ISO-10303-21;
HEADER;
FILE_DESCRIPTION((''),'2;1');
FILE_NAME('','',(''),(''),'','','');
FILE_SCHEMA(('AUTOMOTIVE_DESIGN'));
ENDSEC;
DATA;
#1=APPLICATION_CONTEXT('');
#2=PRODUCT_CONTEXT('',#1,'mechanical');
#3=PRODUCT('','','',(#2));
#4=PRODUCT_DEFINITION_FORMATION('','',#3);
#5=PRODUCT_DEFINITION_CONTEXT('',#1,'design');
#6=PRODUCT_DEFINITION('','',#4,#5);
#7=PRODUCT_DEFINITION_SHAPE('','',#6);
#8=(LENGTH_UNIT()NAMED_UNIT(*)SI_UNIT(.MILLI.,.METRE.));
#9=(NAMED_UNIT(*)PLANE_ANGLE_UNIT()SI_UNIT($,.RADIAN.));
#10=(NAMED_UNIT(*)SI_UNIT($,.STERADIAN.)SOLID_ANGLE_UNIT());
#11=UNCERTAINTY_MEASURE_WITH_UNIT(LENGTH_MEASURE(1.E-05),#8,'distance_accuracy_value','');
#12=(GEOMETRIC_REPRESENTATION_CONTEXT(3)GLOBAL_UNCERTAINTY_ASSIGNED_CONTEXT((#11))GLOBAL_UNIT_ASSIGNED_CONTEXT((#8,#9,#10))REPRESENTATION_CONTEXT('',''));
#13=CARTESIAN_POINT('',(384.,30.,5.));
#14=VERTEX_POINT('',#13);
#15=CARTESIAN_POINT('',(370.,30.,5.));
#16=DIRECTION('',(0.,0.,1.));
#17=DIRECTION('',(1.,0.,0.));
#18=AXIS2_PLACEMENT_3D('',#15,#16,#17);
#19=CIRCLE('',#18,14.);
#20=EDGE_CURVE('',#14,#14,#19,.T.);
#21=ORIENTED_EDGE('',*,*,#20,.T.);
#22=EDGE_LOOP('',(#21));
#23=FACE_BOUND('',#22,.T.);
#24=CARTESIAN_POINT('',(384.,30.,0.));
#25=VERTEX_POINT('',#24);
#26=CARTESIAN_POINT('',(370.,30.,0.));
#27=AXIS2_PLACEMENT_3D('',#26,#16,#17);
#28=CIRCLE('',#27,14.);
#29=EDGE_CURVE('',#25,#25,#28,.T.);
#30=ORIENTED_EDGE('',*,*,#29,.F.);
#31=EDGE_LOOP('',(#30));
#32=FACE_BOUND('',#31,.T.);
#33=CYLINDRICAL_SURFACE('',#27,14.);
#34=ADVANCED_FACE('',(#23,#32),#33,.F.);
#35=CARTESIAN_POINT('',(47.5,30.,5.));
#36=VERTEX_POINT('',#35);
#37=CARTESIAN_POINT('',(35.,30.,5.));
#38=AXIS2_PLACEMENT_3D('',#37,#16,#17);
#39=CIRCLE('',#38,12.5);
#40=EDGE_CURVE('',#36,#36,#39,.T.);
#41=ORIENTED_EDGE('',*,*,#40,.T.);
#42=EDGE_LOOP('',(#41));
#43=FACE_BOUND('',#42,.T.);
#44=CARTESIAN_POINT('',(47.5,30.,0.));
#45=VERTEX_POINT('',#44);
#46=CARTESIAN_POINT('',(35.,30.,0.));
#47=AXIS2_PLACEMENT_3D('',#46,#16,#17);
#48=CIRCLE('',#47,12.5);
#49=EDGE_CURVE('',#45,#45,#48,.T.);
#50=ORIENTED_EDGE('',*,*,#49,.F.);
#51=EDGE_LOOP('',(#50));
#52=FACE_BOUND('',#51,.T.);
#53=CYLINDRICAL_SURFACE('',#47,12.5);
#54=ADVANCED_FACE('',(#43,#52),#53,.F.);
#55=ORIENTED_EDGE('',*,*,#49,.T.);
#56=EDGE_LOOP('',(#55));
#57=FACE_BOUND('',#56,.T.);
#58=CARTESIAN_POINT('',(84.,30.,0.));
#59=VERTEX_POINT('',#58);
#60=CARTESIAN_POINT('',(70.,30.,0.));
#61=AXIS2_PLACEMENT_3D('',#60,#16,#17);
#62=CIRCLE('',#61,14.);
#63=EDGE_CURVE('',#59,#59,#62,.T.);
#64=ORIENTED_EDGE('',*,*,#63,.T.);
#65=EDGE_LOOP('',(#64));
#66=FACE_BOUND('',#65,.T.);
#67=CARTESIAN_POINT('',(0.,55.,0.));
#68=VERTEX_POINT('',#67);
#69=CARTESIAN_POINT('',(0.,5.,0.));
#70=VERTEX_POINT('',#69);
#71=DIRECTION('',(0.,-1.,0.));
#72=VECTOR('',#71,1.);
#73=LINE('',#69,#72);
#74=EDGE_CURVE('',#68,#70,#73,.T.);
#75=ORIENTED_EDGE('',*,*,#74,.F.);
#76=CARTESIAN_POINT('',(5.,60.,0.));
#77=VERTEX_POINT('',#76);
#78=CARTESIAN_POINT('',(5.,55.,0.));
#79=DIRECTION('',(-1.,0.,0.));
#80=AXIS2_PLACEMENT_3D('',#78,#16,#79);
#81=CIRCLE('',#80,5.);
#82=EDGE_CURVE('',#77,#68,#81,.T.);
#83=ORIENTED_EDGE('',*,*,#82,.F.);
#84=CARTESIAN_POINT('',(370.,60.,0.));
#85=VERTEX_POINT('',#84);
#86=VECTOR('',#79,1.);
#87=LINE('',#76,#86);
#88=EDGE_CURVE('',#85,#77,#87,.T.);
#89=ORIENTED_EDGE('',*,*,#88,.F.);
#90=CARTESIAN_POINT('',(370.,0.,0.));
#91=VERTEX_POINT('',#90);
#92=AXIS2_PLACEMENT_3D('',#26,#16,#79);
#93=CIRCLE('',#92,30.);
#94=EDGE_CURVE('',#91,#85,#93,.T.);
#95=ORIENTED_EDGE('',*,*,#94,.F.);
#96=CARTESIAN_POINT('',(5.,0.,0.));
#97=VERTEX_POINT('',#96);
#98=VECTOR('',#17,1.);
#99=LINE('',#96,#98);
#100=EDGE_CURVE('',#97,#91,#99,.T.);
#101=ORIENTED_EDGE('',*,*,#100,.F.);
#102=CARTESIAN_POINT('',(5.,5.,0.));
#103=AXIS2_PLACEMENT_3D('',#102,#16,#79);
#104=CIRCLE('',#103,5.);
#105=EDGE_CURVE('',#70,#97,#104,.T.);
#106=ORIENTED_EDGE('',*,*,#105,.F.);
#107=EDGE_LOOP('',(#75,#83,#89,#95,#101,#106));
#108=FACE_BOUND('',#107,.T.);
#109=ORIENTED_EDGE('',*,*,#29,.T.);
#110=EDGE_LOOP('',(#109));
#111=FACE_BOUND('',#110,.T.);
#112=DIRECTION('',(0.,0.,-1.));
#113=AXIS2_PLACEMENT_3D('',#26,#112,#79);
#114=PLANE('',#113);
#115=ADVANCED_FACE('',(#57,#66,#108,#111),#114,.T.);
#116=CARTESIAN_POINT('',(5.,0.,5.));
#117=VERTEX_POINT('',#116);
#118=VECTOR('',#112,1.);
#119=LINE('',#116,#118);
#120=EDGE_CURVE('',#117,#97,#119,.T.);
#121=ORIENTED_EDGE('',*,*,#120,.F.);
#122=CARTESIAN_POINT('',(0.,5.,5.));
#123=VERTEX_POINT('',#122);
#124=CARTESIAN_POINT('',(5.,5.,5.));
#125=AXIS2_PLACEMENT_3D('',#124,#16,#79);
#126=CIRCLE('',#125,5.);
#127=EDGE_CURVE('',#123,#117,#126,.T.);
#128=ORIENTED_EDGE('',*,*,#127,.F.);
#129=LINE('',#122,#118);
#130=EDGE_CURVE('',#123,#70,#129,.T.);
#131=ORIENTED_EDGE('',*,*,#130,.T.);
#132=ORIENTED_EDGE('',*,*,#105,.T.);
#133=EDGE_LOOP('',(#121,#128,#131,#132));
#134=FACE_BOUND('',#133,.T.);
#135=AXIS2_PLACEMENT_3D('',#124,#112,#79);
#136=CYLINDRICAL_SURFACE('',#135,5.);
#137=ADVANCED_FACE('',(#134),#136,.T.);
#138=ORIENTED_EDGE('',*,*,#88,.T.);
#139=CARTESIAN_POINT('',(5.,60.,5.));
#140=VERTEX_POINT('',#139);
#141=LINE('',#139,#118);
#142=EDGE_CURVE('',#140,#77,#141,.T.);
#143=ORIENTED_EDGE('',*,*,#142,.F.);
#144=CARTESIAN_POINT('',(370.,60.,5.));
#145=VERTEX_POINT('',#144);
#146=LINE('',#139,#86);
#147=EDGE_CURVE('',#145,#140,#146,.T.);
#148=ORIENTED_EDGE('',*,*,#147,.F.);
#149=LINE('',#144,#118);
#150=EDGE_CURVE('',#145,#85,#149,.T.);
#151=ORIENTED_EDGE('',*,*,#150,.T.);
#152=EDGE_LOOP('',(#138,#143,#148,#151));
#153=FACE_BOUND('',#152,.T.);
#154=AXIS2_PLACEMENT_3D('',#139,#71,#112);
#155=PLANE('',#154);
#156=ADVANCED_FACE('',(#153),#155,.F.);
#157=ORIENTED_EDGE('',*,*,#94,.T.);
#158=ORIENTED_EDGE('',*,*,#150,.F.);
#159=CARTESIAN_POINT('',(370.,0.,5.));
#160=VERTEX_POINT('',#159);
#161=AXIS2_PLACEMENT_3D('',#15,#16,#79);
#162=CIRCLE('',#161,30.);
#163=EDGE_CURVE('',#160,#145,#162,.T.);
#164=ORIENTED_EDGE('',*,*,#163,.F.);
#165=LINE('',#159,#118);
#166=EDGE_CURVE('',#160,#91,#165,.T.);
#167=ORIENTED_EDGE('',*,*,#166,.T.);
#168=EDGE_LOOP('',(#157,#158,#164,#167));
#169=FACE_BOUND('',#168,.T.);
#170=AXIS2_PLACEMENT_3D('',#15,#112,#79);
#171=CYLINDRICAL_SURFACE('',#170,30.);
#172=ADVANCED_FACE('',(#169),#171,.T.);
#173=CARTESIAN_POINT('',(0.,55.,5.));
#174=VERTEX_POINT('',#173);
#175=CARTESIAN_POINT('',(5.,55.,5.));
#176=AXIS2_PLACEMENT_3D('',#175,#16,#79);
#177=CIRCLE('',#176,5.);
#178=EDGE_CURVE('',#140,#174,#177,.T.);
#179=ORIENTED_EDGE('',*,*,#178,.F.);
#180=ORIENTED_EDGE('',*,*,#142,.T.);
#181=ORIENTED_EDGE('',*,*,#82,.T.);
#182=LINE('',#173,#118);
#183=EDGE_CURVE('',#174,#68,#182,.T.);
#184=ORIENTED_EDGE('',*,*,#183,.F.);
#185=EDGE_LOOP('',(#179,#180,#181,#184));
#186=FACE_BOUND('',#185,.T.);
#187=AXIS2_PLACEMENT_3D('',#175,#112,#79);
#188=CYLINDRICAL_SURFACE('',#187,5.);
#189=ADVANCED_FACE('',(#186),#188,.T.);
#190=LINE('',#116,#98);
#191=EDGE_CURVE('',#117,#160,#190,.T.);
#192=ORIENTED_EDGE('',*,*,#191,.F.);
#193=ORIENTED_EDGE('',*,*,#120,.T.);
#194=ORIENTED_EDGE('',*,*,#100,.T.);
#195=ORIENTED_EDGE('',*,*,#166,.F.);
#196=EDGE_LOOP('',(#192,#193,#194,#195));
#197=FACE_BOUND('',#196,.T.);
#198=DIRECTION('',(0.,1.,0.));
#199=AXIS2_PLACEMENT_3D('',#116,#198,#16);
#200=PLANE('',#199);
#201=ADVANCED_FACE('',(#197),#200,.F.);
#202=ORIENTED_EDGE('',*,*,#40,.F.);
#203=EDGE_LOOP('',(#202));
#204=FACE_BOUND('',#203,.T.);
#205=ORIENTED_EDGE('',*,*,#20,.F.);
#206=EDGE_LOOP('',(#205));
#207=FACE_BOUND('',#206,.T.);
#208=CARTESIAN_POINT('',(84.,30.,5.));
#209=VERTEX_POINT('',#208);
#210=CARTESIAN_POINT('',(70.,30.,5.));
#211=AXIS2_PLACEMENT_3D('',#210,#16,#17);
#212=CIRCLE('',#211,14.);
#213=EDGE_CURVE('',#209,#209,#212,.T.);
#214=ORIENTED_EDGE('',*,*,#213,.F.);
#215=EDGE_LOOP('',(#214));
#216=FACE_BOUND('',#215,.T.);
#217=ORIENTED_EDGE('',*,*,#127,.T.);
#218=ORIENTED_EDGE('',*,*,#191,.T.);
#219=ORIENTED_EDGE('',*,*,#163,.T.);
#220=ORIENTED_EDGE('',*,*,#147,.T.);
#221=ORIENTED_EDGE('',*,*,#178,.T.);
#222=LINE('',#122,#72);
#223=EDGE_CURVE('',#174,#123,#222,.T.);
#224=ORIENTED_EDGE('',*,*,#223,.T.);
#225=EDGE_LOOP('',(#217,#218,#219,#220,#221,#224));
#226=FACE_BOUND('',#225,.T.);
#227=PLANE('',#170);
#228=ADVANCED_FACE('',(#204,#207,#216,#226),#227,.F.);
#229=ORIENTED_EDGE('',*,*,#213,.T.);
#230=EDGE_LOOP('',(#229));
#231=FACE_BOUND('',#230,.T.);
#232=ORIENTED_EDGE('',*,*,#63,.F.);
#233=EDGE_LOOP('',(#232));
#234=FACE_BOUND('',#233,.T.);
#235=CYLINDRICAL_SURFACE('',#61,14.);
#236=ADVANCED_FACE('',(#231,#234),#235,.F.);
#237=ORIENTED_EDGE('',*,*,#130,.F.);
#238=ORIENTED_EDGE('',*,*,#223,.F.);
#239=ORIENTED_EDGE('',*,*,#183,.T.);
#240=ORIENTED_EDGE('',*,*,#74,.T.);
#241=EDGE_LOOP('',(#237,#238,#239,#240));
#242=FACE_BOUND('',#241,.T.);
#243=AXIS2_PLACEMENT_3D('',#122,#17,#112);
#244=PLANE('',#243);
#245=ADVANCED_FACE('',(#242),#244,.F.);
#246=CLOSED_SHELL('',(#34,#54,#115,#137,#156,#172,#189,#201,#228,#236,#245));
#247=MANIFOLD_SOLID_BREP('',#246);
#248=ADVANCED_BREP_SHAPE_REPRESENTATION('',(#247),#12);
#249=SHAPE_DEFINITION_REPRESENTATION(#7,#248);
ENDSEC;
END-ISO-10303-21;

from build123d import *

# Parameters (mm, degrees)
SALIENTE_EXTRUIR1_DEPTH = 5
CROQUIS2_R              = 14
CROQUIS2_R_2            = 12.5
CORTAR_EXTRUIR1_DEPTH   = 5


with BuildPart() as part:
    # Croquis1 → Saliente-Extruir1 (new body)
    with BuildSketch(Plane.XY):
        with BuildLine():
            Line((5, 0), (370, 0))
            ThreePointArc((370, 0), (400, 30), (370, 60))
            Line((370, 60), (5, 60))
            ThreePointArc((5, 60), (1.464466094, 58.535533906), (0, 55))
            Line((0, 55), (0, 5))
            ThreePointArc((0, 5), (1.464466094, 1.464466094), (5, 0))
        make_face()
    extrude(amount=SALIENTE_EXTRUIR1_DEPTH)

    # Croquis2 → Cortar-Extruir1 (cut)
    with BuildSketch(Plane.XY.offset(5)):
        with Locations((370, 30)):
            Circle(CROQUIS2_R)
        with Locations((35, 30)):
            Circle(CROQUIS2_R_2)
        with Locations((70, 30)):
            Circle(CROQUIS2_R)
    extrude(amount=-CORTAR_EXTRUIR1_DEPTH, mode=Mode.SUBTRACT)


solid = part.part
